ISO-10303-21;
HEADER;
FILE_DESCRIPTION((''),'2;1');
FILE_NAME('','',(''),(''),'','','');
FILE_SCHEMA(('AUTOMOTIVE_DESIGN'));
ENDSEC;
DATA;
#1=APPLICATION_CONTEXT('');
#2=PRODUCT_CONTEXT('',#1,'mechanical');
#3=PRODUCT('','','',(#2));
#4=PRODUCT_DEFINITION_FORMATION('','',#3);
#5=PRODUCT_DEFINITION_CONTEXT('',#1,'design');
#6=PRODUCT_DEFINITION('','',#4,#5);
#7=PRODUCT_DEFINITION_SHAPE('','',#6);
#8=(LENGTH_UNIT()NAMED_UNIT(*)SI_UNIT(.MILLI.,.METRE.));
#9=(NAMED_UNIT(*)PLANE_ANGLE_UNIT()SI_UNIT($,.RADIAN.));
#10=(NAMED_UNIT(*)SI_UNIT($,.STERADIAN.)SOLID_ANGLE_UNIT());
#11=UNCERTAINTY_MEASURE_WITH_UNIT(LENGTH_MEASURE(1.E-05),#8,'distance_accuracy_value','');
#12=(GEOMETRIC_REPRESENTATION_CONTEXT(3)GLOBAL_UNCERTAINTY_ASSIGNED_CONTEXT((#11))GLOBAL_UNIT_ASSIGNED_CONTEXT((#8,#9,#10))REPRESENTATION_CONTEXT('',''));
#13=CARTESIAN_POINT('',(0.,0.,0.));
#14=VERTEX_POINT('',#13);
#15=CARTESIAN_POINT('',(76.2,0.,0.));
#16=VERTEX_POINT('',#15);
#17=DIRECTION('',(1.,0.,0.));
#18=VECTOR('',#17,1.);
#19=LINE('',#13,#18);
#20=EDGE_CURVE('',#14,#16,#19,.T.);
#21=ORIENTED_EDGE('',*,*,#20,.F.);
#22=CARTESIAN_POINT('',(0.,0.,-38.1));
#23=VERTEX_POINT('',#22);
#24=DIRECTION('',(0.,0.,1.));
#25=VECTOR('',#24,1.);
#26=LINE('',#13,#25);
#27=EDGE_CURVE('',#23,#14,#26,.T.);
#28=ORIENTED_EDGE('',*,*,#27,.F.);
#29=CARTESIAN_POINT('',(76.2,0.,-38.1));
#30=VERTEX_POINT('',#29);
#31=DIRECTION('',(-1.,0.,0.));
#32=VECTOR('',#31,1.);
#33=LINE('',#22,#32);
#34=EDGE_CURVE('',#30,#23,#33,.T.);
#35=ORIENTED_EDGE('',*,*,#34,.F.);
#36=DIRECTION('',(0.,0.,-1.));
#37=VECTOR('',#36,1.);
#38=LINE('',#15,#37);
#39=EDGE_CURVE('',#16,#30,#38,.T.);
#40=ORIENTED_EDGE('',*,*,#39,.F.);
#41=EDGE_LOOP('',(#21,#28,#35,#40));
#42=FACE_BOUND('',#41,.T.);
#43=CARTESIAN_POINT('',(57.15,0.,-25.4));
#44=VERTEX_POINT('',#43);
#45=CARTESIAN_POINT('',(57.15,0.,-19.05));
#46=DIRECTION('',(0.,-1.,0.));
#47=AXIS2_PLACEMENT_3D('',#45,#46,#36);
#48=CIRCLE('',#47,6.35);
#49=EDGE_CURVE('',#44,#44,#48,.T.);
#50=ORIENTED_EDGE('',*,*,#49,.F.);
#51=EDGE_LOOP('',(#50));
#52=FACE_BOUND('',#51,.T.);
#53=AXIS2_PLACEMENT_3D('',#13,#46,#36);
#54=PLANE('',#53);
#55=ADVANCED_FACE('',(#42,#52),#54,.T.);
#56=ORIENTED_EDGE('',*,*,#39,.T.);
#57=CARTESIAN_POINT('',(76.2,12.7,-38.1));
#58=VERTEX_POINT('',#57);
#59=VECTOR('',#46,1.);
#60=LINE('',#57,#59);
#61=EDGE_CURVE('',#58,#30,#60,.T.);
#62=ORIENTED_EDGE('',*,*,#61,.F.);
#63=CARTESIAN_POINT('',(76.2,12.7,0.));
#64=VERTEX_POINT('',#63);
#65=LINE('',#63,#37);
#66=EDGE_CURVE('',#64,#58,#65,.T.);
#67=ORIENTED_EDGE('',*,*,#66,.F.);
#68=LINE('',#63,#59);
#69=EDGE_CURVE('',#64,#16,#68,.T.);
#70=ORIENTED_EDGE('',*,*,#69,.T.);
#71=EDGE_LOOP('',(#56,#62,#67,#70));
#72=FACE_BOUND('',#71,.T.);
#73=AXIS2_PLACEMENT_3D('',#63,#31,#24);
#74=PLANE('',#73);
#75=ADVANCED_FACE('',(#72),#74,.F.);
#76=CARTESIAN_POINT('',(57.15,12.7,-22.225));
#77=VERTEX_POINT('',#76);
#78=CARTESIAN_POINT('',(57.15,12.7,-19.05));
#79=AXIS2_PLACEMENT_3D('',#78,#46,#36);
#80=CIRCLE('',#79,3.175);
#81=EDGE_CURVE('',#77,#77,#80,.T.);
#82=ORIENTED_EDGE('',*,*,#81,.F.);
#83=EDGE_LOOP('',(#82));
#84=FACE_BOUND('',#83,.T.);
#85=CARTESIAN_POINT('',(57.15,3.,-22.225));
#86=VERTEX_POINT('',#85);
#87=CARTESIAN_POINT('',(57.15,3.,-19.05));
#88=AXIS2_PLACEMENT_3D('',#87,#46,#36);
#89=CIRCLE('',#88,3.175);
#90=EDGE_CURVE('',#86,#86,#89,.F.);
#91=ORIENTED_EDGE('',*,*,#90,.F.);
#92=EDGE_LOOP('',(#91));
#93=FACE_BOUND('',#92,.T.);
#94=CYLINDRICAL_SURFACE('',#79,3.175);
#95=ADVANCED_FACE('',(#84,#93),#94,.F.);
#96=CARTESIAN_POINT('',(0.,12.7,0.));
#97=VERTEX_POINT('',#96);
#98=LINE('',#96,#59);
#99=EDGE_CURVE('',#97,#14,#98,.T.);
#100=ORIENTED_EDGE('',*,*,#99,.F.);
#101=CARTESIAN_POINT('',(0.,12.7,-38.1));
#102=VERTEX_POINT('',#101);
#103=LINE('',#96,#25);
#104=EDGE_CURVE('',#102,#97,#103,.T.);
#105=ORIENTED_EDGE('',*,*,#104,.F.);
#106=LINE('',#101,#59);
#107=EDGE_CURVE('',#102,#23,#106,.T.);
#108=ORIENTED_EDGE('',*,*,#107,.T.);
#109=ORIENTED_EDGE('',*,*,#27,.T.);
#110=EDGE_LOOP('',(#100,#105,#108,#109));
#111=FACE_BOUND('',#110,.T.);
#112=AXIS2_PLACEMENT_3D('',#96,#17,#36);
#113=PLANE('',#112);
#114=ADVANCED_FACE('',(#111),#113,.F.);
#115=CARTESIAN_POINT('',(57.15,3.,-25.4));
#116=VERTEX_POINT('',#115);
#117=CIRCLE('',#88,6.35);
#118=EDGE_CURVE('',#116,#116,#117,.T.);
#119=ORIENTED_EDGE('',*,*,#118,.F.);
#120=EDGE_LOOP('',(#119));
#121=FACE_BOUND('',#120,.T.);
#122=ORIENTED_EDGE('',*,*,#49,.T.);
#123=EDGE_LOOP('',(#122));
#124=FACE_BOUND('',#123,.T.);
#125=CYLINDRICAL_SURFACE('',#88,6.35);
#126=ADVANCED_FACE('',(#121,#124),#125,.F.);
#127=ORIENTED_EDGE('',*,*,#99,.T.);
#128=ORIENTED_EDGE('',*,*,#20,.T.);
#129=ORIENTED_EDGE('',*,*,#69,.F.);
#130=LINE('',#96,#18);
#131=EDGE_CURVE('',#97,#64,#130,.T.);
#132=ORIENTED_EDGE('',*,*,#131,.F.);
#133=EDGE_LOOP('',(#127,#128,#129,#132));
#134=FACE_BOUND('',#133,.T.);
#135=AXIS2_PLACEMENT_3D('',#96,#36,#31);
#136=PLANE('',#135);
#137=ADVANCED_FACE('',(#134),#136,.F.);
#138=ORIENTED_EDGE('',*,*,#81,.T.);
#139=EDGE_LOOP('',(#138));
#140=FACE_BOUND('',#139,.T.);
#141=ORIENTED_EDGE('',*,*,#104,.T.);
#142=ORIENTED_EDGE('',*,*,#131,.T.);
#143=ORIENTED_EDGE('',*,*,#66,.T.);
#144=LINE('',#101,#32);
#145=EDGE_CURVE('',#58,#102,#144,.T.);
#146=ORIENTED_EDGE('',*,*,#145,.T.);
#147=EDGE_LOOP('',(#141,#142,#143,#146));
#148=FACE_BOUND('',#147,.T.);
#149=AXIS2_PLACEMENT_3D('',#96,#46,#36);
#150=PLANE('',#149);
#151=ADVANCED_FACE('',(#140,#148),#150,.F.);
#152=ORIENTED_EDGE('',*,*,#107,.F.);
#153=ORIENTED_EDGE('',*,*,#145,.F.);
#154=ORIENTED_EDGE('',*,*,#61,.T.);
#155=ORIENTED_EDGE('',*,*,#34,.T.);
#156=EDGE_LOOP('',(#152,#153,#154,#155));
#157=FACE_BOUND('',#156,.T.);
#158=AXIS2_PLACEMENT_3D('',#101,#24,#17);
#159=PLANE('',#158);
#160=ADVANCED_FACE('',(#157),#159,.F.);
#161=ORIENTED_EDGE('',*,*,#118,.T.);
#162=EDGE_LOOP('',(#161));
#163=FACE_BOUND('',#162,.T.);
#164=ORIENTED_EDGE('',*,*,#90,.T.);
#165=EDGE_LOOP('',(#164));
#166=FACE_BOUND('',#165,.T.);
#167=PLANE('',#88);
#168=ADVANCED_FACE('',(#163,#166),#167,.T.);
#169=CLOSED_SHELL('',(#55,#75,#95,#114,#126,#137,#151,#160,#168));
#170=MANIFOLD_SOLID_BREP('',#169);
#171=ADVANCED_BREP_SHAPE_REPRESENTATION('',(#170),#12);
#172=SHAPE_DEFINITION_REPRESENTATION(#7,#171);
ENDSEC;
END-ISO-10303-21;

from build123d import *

# Parameters (mm, degrees)
SKETCH1_W           = 76.2
SKETCH1_H           = 38.1
BOSS_EXTRUDE1_DEPTH = 12.7
SKETCH2_R           = 3.175
CUT_EXTRUDE1_DEPTH  = 13.7
SKETCH3_R           = 6.35
CUT_EXTRUDE2_DEPTH  = 3


with BuildPart() as part:
    # Sketch1 → Boss-Extrude1 (new body)
    with BuildSketch(Plane(origin=(0, 0, 0), x_dir=(1, 0, 0), z_dir=(0, 1, 0))):
        with Locations((38.1, 19.05)):
            Rectangle(SKETCH1_W, SKETCH1_H)
    extrude(amount=BOSS_EXTRUDE1_DEPTH)

    # Sketch2 → Cut-Extrude1 (cut, through all)
    with BuildSketch(Plane.XZ):
        with Locations((57.15, -19.05)):
            Circle(SKETCH2_R)
    extrude(amount=-CUT_EXTRUDE1_DEPTH, mode=Mode.SUBTRACT)

    # Sketch3 → Cut-Extrude2 (cut)
    with BuildSketch(Plane.XZ):
        with Locations((57.15, -19.05)):
            Circle(SKETCH3_R)
    extrude(amount=-CUT_EXTRUDE2_DEPTH, mode=Mode.SUBTRACT)


solid = part.part
